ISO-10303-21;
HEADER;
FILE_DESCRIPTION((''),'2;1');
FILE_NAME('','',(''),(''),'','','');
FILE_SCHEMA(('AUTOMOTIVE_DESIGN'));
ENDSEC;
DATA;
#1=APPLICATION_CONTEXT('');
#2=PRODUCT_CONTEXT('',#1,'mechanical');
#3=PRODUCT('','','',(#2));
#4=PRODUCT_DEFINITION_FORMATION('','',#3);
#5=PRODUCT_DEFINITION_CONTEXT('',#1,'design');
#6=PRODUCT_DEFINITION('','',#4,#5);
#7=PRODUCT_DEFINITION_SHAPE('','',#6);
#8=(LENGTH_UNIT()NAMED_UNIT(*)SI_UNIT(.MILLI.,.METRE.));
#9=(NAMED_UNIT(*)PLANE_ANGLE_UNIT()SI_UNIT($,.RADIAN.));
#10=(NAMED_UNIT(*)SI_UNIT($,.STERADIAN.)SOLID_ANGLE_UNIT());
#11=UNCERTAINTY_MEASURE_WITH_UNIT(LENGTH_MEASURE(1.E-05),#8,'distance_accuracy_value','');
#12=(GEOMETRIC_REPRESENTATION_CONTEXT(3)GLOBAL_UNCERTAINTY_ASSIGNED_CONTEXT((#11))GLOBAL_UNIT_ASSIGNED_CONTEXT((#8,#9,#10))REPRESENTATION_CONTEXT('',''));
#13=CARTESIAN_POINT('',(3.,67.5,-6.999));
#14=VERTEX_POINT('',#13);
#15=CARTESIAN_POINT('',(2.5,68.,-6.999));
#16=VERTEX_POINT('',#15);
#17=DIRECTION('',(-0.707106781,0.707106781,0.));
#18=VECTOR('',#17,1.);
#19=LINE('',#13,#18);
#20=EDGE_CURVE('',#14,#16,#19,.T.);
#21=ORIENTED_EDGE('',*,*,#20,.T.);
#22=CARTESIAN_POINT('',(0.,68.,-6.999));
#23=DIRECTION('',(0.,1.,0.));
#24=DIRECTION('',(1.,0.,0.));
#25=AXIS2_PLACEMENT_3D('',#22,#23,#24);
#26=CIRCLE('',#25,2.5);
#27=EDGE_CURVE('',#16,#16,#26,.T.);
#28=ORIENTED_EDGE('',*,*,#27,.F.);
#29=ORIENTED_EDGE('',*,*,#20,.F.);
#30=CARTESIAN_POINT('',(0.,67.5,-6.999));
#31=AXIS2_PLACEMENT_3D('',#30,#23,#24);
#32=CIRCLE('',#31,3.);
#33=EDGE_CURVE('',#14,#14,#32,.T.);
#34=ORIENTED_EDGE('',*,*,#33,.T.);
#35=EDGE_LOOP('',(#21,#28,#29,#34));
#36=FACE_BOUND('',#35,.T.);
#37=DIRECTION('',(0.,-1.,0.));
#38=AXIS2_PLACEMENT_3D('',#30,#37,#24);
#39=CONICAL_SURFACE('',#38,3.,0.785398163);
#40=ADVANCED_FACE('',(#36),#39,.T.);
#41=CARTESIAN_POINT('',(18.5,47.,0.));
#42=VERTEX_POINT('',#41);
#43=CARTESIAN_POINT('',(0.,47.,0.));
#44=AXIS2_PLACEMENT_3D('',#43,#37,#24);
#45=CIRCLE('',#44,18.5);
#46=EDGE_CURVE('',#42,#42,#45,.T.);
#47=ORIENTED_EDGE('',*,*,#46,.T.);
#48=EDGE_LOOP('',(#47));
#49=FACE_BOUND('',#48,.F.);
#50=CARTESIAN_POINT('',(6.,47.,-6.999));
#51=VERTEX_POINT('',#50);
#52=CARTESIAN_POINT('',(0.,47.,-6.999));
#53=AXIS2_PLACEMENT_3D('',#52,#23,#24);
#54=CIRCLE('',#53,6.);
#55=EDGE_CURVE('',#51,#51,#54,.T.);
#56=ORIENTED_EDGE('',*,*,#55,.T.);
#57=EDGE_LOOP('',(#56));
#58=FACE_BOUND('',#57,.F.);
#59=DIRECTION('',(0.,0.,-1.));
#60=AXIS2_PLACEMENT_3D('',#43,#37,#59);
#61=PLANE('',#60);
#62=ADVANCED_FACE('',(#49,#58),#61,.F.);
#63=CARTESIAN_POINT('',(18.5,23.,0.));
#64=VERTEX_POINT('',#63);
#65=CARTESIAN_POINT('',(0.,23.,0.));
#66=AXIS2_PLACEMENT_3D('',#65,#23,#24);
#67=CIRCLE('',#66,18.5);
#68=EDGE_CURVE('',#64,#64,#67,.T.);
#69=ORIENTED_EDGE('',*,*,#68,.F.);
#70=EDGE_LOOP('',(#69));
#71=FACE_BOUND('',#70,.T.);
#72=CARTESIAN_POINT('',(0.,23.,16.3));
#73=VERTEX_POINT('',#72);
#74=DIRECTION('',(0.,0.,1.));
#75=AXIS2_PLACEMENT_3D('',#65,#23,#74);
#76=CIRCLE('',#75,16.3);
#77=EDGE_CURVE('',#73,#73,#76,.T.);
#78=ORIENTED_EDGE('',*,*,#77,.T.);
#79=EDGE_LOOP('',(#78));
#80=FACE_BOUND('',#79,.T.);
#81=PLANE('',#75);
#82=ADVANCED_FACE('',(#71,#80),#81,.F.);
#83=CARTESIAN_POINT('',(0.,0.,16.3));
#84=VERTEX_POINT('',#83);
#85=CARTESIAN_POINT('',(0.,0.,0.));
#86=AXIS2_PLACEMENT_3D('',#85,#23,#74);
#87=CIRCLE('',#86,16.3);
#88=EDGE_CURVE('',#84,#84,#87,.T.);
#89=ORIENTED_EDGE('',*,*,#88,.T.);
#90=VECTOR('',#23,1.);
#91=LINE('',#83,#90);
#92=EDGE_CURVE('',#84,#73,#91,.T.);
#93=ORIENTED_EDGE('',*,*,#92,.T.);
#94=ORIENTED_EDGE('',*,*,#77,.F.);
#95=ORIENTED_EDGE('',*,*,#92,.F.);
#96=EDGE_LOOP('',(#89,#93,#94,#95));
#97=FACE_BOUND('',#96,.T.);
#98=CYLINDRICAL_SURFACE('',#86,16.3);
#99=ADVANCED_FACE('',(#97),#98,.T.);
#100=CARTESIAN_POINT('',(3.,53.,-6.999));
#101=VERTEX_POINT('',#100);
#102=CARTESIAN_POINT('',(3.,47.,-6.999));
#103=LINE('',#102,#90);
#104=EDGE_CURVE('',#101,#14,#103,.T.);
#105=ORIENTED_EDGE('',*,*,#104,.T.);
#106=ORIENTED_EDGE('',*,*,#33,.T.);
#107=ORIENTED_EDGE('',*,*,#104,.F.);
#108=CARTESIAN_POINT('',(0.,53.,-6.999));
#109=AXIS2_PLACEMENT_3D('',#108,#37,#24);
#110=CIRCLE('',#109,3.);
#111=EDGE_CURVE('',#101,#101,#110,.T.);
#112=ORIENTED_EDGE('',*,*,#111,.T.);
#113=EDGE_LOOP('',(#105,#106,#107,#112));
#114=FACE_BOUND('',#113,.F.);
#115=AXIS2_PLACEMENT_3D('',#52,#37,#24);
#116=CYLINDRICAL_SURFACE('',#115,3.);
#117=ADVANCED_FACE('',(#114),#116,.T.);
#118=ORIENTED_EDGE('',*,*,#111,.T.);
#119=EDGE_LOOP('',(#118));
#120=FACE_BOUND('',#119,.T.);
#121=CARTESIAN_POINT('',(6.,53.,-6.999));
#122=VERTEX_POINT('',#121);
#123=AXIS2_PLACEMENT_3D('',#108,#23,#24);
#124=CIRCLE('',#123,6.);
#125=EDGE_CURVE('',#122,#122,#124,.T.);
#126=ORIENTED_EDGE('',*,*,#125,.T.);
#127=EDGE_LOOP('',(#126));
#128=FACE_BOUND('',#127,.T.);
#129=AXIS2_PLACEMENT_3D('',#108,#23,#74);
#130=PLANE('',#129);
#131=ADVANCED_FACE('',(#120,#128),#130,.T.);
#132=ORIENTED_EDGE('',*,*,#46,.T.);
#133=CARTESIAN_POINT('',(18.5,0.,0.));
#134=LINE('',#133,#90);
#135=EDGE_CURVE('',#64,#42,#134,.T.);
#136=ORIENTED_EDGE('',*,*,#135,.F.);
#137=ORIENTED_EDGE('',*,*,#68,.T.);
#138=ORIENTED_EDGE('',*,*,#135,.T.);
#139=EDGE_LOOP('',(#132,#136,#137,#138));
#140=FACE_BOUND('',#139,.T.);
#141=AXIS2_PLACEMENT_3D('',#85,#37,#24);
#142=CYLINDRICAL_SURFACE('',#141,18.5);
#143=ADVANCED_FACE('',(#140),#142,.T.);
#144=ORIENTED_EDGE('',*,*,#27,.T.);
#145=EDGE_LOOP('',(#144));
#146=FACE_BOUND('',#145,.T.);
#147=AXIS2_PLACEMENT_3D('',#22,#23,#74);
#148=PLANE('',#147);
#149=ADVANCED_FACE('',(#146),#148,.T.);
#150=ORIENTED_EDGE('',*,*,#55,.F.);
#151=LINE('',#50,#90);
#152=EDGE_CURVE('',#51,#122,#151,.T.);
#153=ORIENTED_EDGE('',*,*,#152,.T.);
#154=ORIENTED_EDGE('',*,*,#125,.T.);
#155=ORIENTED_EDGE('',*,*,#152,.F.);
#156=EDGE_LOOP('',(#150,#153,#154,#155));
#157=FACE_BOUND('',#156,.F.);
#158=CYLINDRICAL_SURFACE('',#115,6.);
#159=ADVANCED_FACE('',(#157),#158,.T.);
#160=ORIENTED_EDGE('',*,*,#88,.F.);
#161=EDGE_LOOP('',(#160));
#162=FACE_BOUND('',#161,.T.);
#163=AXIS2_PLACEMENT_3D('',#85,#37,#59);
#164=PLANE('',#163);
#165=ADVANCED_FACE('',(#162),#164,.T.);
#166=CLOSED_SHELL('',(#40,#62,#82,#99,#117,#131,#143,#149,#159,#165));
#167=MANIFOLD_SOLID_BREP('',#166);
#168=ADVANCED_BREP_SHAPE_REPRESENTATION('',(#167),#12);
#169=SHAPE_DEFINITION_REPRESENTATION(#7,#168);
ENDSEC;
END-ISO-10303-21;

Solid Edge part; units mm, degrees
sketch "Sketch1" plane through (0, 0, 0) normal (0, -1, 0) x (1, 0, 0)
  circle A0 centre (0, 0) radius 18.5
extrude "Protrusion1" add sketch "Sketch1" against normal blind 47
sketch "Sketch2" plane through (0, 47, 0) normal (0, 1, 0) x (1, 0, 0)
  circle A0 centre (0, 6.999) radius 6
extrude "ExtrudedProtrusion_2" add sketch "Sketch2" along normal blind 6
sketch "Sketch3" plane through (0, 47, 0) normal (0, 1, 0) x (1, 0, 0)
  circle A0 centre (0, 6.999) radius 3
extrude "ExtrudedProtrusion_3" add sketch "Sketch3" along normal blind 21
chamfer "Chamfer_1" distance 0.5 angle 45 1 edges at (-3, 68, -6.999)
sketch "Sketch4" plane through (0, 0, 0) normal (-1, 0, 0) x (0, -1, 0)
  line L0 (0, 16.3) -> (-23, 16.3)
  line L1 (-23, 16.3) -> (-23, 18.5)
  line L2 (-23, 18.5) -> (0, 18.5)
  line L3 (0, 18.5) -> (0, 16.3)
  dimension "D1" = 23
  dimension "D2" = 2.2
revolve "RevolvedCutout1" cut sketch "Sketch4" angle 360 about axis through (0, 0, 0) along (0, 1, 0)
